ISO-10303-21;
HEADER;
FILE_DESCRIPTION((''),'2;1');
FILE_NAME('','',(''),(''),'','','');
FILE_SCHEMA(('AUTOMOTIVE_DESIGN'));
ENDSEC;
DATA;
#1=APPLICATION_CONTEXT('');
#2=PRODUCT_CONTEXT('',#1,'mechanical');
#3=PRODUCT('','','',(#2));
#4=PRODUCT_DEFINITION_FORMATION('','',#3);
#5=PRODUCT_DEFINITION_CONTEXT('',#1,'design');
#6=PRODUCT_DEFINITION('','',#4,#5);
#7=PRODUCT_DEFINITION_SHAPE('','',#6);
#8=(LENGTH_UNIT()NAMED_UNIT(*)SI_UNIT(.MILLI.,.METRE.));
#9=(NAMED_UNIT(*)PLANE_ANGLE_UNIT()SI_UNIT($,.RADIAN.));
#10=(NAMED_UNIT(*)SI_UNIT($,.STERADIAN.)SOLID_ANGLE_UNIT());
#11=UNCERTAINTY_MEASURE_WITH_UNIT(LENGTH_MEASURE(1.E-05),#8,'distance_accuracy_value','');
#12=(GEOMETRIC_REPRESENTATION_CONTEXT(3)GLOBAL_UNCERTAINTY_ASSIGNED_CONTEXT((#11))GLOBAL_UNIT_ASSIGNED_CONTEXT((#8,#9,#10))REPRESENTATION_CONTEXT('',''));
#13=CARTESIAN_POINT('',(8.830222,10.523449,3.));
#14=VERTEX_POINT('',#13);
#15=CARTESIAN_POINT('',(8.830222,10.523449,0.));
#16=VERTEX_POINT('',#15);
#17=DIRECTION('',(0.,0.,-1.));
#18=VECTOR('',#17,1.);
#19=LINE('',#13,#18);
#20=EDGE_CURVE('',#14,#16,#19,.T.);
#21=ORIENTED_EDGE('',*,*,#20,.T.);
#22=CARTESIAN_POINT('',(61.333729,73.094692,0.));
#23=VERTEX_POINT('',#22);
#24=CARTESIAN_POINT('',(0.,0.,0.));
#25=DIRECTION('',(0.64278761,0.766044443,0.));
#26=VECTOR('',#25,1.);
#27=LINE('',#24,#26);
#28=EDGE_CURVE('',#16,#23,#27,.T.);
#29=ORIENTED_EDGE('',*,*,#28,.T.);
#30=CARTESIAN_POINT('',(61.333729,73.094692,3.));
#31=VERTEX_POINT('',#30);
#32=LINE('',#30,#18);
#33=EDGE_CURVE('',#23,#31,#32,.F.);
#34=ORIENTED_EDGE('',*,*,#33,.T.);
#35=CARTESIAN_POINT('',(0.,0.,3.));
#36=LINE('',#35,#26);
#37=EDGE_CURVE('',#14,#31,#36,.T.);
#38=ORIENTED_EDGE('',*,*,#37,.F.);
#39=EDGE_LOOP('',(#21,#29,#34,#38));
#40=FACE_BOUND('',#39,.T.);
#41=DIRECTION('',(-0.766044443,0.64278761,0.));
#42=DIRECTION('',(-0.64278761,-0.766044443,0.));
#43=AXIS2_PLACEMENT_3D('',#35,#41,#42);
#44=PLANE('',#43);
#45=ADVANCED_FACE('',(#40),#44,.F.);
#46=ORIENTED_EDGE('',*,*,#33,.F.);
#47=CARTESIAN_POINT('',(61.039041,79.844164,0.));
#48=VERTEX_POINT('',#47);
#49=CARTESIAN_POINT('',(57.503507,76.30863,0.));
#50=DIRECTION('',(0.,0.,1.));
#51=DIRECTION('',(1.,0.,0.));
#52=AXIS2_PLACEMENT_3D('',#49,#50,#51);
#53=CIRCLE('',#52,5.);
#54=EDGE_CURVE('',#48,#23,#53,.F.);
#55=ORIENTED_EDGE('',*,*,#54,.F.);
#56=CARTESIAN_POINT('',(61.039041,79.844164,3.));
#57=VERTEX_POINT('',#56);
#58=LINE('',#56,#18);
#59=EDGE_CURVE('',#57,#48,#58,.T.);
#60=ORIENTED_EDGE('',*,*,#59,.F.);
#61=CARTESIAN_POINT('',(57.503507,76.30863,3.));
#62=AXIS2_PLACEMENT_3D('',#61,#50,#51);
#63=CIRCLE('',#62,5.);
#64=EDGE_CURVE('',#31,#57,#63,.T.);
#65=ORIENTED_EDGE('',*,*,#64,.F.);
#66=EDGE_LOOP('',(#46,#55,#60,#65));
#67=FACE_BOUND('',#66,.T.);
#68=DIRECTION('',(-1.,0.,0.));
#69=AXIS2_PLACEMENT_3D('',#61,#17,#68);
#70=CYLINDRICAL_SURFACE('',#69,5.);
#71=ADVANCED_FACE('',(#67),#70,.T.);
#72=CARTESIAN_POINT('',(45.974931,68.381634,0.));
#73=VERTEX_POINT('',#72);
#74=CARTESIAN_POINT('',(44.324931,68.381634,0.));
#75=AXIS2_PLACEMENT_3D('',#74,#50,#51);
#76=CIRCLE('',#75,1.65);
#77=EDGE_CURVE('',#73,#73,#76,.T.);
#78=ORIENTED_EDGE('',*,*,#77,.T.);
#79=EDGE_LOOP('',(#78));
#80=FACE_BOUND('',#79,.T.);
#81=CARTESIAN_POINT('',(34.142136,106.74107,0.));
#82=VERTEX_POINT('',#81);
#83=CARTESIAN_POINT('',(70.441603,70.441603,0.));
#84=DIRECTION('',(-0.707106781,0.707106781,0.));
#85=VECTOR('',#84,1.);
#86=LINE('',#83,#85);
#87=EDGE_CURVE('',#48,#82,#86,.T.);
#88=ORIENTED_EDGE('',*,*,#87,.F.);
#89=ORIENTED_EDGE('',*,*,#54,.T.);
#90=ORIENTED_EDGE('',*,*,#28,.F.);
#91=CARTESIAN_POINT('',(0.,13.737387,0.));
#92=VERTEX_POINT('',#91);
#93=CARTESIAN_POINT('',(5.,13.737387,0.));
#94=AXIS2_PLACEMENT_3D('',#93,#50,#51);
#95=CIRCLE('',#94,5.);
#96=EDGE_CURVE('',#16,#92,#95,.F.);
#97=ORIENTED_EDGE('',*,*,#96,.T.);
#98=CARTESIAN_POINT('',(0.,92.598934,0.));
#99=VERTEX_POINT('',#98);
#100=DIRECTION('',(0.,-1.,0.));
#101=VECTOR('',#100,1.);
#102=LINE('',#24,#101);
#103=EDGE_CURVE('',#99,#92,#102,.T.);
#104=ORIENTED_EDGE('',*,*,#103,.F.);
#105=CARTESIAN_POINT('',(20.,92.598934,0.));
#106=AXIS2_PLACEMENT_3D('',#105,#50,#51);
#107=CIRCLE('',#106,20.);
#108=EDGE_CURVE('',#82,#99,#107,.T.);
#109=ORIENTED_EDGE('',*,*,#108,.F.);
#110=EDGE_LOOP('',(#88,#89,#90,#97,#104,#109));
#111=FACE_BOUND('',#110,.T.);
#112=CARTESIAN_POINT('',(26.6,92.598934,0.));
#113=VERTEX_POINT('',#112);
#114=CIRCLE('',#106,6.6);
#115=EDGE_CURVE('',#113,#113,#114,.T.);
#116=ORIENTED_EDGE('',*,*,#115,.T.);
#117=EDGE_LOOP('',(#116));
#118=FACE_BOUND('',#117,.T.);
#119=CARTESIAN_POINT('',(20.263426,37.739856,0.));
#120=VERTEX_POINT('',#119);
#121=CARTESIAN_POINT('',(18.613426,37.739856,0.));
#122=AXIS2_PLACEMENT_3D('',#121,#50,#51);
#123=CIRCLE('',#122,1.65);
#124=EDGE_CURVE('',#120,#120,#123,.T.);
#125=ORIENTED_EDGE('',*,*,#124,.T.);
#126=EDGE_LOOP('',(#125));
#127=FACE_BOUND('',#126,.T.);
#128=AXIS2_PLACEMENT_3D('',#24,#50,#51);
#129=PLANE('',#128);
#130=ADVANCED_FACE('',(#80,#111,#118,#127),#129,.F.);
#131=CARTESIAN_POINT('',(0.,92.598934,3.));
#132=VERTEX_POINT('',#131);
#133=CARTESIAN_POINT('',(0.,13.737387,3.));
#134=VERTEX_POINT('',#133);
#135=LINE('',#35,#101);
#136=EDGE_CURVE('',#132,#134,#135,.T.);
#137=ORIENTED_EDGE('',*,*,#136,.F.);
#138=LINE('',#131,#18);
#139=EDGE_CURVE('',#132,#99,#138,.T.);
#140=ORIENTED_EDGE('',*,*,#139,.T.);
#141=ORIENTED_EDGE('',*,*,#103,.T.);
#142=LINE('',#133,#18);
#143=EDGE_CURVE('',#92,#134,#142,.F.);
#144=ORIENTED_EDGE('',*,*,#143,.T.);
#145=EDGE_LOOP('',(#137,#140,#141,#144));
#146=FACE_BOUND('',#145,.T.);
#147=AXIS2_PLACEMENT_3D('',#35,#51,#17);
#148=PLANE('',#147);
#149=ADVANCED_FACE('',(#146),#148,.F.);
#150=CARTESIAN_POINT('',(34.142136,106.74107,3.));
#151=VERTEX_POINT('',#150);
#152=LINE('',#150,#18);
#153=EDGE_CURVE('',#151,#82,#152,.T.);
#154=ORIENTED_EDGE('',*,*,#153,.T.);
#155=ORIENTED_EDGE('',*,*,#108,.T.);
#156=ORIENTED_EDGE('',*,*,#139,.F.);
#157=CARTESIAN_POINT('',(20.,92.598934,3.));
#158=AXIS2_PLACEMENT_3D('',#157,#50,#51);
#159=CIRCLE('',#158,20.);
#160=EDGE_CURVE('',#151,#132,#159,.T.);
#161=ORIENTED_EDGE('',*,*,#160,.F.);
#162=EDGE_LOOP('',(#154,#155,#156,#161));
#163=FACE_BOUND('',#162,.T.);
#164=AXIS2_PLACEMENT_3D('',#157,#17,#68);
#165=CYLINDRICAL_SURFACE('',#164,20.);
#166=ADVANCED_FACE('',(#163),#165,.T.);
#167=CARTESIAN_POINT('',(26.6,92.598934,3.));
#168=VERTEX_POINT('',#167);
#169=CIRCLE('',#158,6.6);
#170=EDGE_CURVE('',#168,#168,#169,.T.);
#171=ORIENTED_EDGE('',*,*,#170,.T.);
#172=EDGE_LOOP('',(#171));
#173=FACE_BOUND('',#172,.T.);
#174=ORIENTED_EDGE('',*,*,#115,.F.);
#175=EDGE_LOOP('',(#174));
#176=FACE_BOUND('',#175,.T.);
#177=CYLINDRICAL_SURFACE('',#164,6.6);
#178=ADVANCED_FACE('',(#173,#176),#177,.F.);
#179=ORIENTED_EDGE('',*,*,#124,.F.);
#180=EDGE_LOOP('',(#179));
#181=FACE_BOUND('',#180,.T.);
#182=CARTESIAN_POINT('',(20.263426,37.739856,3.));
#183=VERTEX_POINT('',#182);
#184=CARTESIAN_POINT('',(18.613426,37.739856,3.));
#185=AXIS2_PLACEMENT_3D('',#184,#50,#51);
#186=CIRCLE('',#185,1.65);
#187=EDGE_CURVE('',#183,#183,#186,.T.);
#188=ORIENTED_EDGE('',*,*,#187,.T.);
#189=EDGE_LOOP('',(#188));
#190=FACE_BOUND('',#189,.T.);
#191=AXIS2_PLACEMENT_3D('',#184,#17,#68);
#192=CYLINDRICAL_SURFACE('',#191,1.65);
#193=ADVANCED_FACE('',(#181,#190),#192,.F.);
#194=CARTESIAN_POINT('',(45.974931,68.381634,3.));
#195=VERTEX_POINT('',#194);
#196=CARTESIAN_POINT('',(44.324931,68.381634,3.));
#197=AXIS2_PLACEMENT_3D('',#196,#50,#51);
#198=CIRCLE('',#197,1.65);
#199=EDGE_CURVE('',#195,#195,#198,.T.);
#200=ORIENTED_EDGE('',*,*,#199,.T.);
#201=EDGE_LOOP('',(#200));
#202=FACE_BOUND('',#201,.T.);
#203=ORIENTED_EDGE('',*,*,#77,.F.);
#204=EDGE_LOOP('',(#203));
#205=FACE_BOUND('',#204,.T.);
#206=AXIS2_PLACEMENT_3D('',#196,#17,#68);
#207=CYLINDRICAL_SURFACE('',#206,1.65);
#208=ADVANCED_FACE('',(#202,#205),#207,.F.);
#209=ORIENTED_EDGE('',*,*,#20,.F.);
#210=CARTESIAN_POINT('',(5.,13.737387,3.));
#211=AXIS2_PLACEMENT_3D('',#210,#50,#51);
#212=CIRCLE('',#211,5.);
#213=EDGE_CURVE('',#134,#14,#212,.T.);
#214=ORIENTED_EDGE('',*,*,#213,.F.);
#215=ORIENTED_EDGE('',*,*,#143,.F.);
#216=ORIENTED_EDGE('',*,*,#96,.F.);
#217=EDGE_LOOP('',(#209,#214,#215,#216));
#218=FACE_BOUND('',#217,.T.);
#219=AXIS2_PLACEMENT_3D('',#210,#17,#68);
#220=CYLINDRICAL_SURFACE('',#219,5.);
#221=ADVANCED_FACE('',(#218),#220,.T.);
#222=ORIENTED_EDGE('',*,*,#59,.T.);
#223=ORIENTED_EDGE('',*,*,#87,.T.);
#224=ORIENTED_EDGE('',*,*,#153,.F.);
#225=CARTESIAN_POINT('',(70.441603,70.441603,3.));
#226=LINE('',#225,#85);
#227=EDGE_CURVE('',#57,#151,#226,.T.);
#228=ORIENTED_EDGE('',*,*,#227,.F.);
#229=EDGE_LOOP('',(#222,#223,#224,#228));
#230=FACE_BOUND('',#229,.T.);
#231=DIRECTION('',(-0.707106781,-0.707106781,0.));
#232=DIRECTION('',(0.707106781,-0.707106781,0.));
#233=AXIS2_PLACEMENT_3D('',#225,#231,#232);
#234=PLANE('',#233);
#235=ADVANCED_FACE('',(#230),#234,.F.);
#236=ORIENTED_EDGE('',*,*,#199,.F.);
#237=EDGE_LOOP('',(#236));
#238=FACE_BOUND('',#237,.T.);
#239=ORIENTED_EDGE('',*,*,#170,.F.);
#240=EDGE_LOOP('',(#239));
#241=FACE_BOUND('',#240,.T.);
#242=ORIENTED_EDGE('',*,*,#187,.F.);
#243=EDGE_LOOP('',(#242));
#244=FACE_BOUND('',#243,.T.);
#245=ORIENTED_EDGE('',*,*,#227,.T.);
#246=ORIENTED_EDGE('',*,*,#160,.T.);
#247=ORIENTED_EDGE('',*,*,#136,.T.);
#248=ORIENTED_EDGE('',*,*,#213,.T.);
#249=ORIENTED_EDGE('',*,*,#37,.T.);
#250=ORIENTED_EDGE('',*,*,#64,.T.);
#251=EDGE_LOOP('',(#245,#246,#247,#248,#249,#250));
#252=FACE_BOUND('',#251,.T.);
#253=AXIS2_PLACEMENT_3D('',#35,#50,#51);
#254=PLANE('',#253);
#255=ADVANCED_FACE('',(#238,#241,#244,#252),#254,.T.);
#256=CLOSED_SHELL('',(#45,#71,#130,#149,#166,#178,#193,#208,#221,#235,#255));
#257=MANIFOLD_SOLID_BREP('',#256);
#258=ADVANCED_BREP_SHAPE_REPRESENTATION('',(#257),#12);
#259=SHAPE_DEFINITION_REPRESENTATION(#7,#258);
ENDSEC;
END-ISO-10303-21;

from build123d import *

# Parameters (mm, degrees)
SKETCH_1_R      = 6.6
SKETCH_1_R_2    = 1.65
EXTRUDE_1_DEPTH = 3
FILLET_1_R      = 5


with BuildPart() as part:
    # 草图1 → 凸台-拉伸1 (new body)
    with BuildSketch(Plane.XY):
        with BuildLine():
            Line((0, 0), (64.278760969, 76.604444312))
            Line((64.278760969, 76.604444312), (34.142135624, 106.741069657))
            ThreePointArc((34.142135624, 106.741069657), (12.346331353, 111.076524683), (0, 92.598934033))
            Line((0, 92.598934033), (0, 0))
        make_face()
        with Locations((20, 92.598934033)):
            Circle(SKETCH_1_R, mode=Mode.SUBTRACT)
        with Locations((18.613426245, 37.739855867)):
            Circle(SKETCH_1_R_2, mode=Mode.SUBTRACT)
        with Locations((44.324930633, 68.381633592)):
            Circle(SKETCH_1_R_2, mode=Mode.SUBTRACT)
    extrude(amount=EXTRUDE_1_DEPTH)

    # 圆角1
    fillet_1_edges = [part.edges().sort_by_distance(p)[0] for p in [
        (64.278760969, 76.604444312, 1.5),
        (0, 0, 1.5),
    ]]
    fillet(fillet_1_edges, radius=FILLET_1_R)


solid = part.part
